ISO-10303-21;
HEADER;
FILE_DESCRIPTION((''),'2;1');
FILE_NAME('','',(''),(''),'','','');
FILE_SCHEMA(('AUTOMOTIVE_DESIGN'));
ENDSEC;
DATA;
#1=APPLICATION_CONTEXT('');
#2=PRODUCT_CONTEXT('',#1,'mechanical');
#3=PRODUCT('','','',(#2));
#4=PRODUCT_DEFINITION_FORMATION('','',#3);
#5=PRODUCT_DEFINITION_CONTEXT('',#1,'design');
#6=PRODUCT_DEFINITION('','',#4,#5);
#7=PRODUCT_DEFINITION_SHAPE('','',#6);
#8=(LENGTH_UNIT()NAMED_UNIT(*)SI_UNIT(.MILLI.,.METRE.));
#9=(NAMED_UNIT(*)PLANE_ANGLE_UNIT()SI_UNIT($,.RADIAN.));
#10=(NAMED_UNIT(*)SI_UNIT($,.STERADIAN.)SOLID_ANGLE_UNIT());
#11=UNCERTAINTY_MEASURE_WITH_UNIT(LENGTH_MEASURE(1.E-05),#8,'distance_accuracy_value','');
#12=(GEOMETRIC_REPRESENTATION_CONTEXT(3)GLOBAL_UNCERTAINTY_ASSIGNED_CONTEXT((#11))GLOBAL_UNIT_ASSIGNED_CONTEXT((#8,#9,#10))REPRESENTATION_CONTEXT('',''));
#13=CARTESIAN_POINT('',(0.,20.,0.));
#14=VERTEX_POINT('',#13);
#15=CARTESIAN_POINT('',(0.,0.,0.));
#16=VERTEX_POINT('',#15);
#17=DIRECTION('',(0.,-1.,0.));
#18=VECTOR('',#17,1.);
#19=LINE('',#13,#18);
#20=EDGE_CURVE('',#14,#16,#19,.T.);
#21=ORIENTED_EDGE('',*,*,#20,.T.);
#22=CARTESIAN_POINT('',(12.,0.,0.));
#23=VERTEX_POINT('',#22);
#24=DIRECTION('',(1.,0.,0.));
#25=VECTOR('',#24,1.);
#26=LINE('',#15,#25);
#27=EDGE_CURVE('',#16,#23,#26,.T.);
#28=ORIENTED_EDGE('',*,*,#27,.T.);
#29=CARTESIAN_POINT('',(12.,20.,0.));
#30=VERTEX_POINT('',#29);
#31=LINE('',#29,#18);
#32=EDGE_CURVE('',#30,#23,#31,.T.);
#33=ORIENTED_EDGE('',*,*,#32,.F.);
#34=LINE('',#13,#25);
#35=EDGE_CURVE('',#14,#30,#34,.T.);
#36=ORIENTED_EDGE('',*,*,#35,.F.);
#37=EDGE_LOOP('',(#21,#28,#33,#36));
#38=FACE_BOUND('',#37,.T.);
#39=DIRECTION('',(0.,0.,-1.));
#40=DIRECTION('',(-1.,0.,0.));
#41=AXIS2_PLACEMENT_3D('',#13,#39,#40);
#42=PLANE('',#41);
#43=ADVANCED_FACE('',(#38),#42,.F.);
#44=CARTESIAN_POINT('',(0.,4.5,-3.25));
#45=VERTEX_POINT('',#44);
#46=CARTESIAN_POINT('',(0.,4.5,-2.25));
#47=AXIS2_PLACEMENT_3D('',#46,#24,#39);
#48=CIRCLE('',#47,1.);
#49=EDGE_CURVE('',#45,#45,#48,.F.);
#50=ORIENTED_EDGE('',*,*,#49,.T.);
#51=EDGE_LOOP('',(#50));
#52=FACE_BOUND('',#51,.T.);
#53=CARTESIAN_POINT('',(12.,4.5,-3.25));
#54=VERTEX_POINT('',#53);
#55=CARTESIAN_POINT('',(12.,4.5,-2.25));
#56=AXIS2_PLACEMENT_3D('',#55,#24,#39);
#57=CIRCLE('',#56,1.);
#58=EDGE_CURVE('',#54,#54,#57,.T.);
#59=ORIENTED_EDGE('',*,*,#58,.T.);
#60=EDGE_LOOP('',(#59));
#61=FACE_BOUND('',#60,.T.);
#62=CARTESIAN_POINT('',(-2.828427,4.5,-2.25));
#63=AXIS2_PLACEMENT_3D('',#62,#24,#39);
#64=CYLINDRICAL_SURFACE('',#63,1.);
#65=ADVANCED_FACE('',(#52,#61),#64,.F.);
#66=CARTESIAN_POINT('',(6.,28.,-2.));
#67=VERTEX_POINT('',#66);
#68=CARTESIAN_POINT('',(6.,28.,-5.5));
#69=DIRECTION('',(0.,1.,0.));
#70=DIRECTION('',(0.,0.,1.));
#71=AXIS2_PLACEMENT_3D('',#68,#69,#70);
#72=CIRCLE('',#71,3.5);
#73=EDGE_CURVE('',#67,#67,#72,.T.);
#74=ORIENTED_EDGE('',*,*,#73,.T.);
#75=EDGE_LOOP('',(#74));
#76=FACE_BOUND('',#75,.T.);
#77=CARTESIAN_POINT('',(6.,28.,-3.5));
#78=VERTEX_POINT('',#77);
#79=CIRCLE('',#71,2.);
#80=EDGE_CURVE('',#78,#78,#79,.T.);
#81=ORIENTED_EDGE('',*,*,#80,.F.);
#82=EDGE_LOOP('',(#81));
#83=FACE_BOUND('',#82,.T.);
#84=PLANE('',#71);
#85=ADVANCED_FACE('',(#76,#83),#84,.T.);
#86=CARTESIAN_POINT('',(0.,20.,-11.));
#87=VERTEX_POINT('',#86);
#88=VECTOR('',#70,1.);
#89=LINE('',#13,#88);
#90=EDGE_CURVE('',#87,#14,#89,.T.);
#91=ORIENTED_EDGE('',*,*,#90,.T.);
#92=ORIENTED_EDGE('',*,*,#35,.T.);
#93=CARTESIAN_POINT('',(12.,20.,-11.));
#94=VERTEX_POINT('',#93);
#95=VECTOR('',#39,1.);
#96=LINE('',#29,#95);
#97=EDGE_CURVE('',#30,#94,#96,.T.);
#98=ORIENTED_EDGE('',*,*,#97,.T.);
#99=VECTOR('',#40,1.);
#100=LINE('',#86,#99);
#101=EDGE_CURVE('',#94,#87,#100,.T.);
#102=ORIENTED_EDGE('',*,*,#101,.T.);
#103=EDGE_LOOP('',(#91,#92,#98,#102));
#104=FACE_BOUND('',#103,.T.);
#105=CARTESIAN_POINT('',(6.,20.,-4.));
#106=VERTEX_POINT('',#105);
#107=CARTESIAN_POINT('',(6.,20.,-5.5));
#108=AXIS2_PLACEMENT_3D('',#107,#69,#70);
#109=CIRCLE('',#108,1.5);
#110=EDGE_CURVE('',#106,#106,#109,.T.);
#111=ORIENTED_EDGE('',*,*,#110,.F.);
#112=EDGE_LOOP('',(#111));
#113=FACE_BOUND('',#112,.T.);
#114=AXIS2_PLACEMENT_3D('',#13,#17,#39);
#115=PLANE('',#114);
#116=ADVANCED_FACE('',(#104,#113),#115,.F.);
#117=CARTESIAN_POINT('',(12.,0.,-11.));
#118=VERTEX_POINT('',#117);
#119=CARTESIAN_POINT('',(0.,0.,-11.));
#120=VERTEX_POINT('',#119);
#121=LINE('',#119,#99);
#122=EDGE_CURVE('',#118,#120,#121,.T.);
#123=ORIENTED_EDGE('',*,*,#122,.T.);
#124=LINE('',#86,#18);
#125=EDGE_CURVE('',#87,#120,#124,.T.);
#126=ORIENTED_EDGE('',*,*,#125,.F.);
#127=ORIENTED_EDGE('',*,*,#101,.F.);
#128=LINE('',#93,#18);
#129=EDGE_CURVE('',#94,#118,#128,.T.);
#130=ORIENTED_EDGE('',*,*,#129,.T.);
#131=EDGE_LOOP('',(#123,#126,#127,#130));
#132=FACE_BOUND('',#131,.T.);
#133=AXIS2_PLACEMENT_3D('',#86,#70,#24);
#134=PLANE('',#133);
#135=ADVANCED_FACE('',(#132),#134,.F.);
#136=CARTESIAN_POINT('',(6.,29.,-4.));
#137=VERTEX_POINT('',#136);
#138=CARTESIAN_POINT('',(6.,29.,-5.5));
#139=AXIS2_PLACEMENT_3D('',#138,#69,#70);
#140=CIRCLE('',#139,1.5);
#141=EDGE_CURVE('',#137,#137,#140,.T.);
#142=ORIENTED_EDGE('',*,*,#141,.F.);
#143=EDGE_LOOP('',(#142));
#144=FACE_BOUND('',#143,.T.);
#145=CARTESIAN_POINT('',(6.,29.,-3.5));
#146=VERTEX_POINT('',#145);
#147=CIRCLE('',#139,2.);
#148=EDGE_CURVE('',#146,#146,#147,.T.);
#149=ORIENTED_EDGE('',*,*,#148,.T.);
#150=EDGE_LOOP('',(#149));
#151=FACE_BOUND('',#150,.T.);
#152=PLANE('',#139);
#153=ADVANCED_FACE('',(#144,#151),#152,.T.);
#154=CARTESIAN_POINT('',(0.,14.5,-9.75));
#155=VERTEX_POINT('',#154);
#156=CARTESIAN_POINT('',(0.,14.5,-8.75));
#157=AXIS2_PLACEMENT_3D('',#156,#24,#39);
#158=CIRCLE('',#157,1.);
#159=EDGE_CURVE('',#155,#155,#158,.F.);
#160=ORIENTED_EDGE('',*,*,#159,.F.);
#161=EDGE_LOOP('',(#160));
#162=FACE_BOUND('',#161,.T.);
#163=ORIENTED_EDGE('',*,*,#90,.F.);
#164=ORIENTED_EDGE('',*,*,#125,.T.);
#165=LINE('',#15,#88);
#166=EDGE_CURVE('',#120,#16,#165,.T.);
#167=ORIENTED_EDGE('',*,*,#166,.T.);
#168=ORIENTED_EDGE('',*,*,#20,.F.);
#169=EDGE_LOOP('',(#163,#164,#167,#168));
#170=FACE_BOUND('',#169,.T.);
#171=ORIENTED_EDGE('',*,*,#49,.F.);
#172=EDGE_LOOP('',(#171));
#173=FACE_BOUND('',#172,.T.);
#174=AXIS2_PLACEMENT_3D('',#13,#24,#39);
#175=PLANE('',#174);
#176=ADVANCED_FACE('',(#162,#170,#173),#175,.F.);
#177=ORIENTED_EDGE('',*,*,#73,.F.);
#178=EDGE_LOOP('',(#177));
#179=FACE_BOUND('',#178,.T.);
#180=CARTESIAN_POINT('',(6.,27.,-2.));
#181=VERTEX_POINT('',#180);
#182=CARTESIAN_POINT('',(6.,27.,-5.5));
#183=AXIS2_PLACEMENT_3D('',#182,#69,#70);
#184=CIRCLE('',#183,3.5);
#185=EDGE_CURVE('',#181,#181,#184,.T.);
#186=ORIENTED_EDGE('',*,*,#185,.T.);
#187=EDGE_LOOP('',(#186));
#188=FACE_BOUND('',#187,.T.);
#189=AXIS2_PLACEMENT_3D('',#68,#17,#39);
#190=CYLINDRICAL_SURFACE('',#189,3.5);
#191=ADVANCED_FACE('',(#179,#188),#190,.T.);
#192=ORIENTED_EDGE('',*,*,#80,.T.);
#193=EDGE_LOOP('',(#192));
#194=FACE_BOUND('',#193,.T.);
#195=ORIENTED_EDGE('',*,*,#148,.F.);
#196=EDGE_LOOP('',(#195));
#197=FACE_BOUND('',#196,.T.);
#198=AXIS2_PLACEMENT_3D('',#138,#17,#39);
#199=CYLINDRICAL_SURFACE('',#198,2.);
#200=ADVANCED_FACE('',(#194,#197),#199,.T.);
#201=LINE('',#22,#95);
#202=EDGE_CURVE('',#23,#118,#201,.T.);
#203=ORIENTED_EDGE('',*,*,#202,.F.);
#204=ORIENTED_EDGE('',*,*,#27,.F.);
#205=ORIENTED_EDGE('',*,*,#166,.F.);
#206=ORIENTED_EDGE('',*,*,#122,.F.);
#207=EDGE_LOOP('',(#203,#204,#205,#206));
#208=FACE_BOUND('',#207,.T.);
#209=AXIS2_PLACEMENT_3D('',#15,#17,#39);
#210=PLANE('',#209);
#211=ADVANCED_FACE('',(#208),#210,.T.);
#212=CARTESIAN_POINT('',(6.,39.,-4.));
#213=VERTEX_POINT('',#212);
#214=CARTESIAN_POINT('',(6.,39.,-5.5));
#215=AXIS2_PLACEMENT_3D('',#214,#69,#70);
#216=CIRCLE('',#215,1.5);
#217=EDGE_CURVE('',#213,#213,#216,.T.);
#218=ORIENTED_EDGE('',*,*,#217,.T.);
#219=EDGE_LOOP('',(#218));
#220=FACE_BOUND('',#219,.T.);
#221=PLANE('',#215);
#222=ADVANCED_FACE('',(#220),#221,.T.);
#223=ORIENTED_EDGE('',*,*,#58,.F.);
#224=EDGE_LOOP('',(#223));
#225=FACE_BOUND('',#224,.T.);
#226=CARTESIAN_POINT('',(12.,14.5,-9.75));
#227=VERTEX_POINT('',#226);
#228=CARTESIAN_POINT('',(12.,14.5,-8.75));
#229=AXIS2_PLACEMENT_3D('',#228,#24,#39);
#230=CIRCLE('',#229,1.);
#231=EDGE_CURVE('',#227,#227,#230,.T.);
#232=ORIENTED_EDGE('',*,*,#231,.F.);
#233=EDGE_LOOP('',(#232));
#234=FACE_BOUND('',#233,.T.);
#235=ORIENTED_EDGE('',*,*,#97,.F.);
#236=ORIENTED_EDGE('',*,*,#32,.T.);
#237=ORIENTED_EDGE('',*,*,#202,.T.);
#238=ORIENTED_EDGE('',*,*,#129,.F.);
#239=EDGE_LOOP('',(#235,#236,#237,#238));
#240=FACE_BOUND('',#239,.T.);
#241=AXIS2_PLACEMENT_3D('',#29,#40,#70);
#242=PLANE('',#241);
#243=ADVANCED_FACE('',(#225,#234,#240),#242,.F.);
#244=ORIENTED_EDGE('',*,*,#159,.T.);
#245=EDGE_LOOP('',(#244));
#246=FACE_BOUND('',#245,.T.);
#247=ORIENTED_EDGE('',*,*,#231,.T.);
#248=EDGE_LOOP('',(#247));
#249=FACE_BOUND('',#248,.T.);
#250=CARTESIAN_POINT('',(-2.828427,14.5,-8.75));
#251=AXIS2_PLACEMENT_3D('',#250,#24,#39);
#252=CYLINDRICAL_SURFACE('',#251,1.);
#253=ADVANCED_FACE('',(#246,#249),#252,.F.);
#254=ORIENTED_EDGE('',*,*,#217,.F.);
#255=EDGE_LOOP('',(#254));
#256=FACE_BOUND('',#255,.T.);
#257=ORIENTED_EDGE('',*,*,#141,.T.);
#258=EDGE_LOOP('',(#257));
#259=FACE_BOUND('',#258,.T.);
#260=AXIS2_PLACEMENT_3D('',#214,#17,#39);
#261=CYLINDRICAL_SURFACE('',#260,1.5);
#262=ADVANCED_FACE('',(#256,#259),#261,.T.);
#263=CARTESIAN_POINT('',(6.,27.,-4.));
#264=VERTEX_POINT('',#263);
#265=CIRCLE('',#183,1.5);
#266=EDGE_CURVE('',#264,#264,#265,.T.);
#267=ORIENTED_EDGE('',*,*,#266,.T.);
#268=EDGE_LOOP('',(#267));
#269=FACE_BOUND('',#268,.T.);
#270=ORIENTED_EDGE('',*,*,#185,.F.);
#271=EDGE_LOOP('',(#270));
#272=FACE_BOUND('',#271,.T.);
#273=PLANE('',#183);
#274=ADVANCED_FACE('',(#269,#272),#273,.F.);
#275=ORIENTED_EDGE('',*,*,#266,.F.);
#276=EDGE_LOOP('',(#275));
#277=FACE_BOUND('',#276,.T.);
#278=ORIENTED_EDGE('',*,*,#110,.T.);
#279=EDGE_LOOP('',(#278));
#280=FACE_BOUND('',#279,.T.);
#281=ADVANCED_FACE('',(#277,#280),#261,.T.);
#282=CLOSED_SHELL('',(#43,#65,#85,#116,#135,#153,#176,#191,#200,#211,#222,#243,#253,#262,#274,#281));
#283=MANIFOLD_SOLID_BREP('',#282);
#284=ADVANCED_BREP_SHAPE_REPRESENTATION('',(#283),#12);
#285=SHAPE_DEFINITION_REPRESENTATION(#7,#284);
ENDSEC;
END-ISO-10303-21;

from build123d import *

# Parameters (mm, degrees)
SKETCH1_W           = 12
SKETCH1_H           = 11
BOSS_EXTRUDE1_DEPTH = 20
SKETCH2_R           = 1.5
BOSS_EXTRUDE2_DEPTH = 19
SKETCH3_R           = 3.5
BOSS_EXTRUDE3_DEPTH = 1
SKETCH4_R           = 2
BOSS_EXTRUDE4_DEPTH = 1
SKETCH5_R           = 1
CUT_EXTRUDE1_DEPTH  = 12


with BuildPart() as part:
    # Sketch1 → Boss-Extrude1 (new body)
    with BuildSketch(Plane(origin=(0, 0, 0), x_dir=(1, 0, 0), z_dir=(0, 1, 0))):
        with Locations((6, 5.5)):
            Rectangle(SKETCH1_W, SKETCH1_H)
    extrude(amount=BOSS_EXTRUDE1_DEPTH)

    # Sketch2 → Boss-Extrude2 (add)
    with BuildSketch(Plane(origin=(0, 20, 0), x_dir=(1, 0, 0), z_dir=(0, 1, 0))):
        with Locations(Location((6, 5.5, 0), (0, 0, 270))):
            Circle(SKETCH2_R)
    extrude(amount=BOSS_EXTRUDE2_DEPTH)

    # Sketch3 → Boss-Extrude3 (add)
    with BuildSketch(Plane(origin=(0, 27, 0), x_dir=(1, 0, 0), z_dir=(0, 1, 0))):
        with Locations(Location((6, 5.5, 0), (0, 0, 270))):
            Circle(SKETCH3_R)
    extrude(amount=BOSS_EXTRUDE3_DEPTH)

    # Sketch4 → Boss-Extrude4 (add)
    with BuildSketch(Plane(origin=(0, 28, 0), x_dir=(1, 0, 0), z_dir=(0, 1, 0))):
        with Locations(Location((6, 5.5, 0), (0, 0, 270))):
            Circle(SKETCH4_R)
    extrude(amount=BOSS_EXTRUDE4_DEPTH)

    # Sketch5 → Cut-Extrude1 (cut)
    with BuildSketch(Plane(origin=(12, 0, 0), x_dir=(0, 0, -1), z_dir=(1, 0, 0))):
        with Locations((2.25, 4.5)):
            Circle(SKETCH5_R)
        with Locations((8.75, 14.5)):
            Circle(SKETCH5_R)
    extrude(amount=-CUT_EXTRUDE1_DEPTH, mode=Mode.SUBTRACT)


solid = part.part
